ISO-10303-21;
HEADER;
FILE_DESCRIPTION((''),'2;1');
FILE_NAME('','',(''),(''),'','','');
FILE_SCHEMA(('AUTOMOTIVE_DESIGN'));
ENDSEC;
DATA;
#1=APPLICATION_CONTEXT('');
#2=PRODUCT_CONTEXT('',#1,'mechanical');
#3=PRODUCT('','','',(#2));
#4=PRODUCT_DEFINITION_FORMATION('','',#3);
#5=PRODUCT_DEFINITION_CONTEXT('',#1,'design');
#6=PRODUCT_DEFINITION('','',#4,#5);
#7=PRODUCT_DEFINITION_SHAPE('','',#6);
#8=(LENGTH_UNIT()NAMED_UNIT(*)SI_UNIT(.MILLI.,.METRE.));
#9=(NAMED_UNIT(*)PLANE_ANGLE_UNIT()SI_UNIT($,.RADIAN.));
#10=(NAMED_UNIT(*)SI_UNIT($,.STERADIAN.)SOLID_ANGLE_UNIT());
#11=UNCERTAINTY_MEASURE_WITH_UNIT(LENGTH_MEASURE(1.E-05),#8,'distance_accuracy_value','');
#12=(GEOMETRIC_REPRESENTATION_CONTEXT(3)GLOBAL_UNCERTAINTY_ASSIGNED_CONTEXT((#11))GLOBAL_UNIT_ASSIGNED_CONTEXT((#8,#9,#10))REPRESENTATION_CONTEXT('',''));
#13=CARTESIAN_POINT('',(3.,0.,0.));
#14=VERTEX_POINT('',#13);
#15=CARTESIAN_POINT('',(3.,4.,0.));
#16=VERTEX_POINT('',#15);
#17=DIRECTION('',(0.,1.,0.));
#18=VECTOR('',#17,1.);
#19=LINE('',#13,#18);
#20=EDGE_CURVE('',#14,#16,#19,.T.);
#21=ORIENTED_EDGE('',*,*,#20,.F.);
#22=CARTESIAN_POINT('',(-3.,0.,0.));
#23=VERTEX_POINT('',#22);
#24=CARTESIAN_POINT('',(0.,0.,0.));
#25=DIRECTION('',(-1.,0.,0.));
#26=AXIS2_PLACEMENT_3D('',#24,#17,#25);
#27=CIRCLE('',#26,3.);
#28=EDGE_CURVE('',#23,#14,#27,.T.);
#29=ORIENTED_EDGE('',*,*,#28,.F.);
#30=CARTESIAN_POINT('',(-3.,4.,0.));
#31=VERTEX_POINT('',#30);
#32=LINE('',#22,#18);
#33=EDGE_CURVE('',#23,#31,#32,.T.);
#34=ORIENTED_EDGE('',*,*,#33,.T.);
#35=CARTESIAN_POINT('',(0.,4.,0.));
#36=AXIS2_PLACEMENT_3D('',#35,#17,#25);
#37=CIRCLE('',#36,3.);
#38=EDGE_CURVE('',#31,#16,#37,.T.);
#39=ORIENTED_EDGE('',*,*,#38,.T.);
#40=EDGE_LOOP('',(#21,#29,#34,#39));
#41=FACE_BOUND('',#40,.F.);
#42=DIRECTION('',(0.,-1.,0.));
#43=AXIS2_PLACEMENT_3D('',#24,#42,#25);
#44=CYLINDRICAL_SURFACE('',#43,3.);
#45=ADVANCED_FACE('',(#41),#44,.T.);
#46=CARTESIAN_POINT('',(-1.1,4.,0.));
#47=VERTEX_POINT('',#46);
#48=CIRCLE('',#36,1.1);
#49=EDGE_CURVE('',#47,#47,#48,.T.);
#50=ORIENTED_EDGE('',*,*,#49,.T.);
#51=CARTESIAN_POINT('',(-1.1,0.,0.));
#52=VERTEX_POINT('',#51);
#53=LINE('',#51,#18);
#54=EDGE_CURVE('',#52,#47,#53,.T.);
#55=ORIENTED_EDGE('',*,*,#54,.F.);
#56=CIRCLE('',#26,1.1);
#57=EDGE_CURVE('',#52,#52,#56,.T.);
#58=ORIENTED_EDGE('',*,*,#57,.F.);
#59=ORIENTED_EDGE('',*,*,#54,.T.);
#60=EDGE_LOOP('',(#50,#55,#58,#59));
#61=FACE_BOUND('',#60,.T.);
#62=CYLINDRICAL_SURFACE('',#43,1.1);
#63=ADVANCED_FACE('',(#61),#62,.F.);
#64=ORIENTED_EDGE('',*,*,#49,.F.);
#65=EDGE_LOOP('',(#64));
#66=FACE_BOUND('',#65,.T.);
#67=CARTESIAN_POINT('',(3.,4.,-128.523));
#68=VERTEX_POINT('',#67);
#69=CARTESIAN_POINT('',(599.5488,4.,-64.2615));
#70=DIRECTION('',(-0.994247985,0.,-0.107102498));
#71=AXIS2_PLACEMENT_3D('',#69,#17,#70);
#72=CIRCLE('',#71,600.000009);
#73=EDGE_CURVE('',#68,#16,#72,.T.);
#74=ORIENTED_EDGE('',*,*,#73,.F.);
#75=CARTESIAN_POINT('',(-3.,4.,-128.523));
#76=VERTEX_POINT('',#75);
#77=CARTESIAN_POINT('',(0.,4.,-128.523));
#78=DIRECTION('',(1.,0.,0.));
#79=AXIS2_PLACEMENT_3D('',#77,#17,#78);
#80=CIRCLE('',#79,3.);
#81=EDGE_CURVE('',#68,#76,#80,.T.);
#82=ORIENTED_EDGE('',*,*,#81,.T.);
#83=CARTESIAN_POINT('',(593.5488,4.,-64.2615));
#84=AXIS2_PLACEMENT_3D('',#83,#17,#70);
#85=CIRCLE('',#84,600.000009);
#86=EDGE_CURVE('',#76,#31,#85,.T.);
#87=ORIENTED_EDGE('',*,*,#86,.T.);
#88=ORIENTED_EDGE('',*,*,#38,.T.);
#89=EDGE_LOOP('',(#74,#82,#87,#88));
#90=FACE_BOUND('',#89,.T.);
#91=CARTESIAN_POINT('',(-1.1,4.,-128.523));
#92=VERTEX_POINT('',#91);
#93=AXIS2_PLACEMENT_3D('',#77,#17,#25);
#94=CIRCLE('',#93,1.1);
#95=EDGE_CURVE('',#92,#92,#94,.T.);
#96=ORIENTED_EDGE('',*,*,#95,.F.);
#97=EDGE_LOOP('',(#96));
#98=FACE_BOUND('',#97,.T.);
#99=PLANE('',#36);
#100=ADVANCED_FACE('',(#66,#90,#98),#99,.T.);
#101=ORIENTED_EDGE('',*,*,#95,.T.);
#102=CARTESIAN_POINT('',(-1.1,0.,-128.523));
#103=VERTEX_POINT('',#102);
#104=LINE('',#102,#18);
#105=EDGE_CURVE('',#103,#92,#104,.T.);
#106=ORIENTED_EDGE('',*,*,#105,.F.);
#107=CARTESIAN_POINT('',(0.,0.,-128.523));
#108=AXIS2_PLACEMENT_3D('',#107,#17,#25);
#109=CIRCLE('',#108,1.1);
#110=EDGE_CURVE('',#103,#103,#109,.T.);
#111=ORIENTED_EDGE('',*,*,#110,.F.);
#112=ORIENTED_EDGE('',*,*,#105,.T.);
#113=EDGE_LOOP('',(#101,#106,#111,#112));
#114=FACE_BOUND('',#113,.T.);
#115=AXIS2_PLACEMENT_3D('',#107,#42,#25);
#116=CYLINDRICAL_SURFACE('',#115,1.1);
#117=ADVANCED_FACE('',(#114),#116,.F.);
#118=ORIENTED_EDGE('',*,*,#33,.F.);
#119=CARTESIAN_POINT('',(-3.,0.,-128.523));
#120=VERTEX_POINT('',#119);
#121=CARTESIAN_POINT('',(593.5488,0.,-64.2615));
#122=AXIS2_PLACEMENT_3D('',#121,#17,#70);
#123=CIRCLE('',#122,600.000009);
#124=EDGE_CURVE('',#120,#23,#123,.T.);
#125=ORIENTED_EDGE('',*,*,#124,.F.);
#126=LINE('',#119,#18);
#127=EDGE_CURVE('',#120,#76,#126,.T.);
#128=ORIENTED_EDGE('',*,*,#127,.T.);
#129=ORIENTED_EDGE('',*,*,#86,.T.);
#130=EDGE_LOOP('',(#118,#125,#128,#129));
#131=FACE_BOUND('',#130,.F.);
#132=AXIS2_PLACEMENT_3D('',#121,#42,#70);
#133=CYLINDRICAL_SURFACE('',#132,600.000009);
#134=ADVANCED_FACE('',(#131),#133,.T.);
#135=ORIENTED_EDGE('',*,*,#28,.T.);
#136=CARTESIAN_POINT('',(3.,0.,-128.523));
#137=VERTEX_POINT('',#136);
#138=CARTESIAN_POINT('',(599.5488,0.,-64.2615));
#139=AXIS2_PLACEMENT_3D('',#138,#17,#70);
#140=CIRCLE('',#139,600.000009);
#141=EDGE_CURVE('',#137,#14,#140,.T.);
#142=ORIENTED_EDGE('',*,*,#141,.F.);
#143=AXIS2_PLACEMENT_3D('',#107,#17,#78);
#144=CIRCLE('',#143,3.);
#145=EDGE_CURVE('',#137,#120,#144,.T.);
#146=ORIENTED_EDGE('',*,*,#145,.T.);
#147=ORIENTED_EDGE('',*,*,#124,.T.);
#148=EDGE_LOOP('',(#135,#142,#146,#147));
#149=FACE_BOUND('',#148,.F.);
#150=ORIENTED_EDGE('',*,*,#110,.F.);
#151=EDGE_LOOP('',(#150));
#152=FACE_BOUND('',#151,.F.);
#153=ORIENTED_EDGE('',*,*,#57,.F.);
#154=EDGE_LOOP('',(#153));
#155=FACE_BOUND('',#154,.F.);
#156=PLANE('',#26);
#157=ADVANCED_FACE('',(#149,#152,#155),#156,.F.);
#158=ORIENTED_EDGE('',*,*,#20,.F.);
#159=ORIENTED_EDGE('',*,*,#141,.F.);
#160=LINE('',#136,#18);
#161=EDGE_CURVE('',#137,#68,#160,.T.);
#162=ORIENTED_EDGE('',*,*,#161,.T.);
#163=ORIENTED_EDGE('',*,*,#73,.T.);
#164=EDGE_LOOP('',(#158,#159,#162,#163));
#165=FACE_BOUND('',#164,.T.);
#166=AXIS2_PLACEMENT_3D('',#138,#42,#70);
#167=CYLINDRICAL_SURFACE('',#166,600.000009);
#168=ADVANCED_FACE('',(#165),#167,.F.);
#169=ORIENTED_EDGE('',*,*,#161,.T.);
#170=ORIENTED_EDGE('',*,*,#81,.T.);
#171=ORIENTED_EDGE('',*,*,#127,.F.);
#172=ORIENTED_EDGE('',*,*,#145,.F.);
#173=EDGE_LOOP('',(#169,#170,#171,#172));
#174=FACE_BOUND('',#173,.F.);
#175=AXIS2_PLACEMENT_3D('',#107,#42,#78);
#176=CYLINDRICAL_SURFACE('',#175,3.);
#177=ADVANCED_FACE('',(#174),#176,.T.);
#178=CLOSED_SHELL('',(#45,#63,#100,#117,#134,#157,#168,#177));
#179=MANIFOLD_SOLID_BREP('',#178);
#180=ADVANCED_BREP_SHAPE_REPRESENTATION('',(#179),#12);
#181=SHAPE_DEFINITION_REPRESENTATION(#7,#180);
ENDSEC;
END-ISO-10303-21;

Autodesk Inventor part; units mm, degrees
ref_plane "YZ Plane" through (0, 0, 0) normal (1, 0, 0) x (0, 1, 0)
ref_plane "XZ Plane" through (0, 0, 0) normal (0, 1, 0) x (-1, 0, 0)
ref_plane "XY Plane" through (0, 0, 0) normal (0, 0, 1) x (1, 0, 0)
sketch "Sketch1" plane through (0, 0, 0) normal (0, 1, 0) x (-1, 0, 0)
  line L0 (0, 0) -> (0, -128.523) construction
  line L1 (3, 0) -> (3, -128.523)
  line L2 (-3, -128.523) -> (-3, 0)
  arc A0 (3, 0) -> (-3, 0) centre (0, 0) ccw
  arc A1 (-3, -128.523) -> (3, -128.523) centre (0, -128.523) ccw
  circle A2 centre (0, 0) radius 1.1
  circle A3 centre (0, -128.523) radius 1.1
  arc A4 (3, -128.523) -> (3, 0) centre (-593.5488, -64.2615) ccw
  arc A5 (-3, -128.523) -> (-3, 0) centre (-599.5488, -64.2615) ccw
  point P0 (0, -64.2615)
  dimension "d0" = 2.2
  dimension "d1" = 2.2
  dimension "d2" = 6
  dimension "d3" = 128.523
  dimension "d14" = 600
  dimension "d15" = 600
extrude "Extrusion1" add sketch "Sketch1" along normal blind 4 contours A4 L1 | L1 A1 A5 A0
